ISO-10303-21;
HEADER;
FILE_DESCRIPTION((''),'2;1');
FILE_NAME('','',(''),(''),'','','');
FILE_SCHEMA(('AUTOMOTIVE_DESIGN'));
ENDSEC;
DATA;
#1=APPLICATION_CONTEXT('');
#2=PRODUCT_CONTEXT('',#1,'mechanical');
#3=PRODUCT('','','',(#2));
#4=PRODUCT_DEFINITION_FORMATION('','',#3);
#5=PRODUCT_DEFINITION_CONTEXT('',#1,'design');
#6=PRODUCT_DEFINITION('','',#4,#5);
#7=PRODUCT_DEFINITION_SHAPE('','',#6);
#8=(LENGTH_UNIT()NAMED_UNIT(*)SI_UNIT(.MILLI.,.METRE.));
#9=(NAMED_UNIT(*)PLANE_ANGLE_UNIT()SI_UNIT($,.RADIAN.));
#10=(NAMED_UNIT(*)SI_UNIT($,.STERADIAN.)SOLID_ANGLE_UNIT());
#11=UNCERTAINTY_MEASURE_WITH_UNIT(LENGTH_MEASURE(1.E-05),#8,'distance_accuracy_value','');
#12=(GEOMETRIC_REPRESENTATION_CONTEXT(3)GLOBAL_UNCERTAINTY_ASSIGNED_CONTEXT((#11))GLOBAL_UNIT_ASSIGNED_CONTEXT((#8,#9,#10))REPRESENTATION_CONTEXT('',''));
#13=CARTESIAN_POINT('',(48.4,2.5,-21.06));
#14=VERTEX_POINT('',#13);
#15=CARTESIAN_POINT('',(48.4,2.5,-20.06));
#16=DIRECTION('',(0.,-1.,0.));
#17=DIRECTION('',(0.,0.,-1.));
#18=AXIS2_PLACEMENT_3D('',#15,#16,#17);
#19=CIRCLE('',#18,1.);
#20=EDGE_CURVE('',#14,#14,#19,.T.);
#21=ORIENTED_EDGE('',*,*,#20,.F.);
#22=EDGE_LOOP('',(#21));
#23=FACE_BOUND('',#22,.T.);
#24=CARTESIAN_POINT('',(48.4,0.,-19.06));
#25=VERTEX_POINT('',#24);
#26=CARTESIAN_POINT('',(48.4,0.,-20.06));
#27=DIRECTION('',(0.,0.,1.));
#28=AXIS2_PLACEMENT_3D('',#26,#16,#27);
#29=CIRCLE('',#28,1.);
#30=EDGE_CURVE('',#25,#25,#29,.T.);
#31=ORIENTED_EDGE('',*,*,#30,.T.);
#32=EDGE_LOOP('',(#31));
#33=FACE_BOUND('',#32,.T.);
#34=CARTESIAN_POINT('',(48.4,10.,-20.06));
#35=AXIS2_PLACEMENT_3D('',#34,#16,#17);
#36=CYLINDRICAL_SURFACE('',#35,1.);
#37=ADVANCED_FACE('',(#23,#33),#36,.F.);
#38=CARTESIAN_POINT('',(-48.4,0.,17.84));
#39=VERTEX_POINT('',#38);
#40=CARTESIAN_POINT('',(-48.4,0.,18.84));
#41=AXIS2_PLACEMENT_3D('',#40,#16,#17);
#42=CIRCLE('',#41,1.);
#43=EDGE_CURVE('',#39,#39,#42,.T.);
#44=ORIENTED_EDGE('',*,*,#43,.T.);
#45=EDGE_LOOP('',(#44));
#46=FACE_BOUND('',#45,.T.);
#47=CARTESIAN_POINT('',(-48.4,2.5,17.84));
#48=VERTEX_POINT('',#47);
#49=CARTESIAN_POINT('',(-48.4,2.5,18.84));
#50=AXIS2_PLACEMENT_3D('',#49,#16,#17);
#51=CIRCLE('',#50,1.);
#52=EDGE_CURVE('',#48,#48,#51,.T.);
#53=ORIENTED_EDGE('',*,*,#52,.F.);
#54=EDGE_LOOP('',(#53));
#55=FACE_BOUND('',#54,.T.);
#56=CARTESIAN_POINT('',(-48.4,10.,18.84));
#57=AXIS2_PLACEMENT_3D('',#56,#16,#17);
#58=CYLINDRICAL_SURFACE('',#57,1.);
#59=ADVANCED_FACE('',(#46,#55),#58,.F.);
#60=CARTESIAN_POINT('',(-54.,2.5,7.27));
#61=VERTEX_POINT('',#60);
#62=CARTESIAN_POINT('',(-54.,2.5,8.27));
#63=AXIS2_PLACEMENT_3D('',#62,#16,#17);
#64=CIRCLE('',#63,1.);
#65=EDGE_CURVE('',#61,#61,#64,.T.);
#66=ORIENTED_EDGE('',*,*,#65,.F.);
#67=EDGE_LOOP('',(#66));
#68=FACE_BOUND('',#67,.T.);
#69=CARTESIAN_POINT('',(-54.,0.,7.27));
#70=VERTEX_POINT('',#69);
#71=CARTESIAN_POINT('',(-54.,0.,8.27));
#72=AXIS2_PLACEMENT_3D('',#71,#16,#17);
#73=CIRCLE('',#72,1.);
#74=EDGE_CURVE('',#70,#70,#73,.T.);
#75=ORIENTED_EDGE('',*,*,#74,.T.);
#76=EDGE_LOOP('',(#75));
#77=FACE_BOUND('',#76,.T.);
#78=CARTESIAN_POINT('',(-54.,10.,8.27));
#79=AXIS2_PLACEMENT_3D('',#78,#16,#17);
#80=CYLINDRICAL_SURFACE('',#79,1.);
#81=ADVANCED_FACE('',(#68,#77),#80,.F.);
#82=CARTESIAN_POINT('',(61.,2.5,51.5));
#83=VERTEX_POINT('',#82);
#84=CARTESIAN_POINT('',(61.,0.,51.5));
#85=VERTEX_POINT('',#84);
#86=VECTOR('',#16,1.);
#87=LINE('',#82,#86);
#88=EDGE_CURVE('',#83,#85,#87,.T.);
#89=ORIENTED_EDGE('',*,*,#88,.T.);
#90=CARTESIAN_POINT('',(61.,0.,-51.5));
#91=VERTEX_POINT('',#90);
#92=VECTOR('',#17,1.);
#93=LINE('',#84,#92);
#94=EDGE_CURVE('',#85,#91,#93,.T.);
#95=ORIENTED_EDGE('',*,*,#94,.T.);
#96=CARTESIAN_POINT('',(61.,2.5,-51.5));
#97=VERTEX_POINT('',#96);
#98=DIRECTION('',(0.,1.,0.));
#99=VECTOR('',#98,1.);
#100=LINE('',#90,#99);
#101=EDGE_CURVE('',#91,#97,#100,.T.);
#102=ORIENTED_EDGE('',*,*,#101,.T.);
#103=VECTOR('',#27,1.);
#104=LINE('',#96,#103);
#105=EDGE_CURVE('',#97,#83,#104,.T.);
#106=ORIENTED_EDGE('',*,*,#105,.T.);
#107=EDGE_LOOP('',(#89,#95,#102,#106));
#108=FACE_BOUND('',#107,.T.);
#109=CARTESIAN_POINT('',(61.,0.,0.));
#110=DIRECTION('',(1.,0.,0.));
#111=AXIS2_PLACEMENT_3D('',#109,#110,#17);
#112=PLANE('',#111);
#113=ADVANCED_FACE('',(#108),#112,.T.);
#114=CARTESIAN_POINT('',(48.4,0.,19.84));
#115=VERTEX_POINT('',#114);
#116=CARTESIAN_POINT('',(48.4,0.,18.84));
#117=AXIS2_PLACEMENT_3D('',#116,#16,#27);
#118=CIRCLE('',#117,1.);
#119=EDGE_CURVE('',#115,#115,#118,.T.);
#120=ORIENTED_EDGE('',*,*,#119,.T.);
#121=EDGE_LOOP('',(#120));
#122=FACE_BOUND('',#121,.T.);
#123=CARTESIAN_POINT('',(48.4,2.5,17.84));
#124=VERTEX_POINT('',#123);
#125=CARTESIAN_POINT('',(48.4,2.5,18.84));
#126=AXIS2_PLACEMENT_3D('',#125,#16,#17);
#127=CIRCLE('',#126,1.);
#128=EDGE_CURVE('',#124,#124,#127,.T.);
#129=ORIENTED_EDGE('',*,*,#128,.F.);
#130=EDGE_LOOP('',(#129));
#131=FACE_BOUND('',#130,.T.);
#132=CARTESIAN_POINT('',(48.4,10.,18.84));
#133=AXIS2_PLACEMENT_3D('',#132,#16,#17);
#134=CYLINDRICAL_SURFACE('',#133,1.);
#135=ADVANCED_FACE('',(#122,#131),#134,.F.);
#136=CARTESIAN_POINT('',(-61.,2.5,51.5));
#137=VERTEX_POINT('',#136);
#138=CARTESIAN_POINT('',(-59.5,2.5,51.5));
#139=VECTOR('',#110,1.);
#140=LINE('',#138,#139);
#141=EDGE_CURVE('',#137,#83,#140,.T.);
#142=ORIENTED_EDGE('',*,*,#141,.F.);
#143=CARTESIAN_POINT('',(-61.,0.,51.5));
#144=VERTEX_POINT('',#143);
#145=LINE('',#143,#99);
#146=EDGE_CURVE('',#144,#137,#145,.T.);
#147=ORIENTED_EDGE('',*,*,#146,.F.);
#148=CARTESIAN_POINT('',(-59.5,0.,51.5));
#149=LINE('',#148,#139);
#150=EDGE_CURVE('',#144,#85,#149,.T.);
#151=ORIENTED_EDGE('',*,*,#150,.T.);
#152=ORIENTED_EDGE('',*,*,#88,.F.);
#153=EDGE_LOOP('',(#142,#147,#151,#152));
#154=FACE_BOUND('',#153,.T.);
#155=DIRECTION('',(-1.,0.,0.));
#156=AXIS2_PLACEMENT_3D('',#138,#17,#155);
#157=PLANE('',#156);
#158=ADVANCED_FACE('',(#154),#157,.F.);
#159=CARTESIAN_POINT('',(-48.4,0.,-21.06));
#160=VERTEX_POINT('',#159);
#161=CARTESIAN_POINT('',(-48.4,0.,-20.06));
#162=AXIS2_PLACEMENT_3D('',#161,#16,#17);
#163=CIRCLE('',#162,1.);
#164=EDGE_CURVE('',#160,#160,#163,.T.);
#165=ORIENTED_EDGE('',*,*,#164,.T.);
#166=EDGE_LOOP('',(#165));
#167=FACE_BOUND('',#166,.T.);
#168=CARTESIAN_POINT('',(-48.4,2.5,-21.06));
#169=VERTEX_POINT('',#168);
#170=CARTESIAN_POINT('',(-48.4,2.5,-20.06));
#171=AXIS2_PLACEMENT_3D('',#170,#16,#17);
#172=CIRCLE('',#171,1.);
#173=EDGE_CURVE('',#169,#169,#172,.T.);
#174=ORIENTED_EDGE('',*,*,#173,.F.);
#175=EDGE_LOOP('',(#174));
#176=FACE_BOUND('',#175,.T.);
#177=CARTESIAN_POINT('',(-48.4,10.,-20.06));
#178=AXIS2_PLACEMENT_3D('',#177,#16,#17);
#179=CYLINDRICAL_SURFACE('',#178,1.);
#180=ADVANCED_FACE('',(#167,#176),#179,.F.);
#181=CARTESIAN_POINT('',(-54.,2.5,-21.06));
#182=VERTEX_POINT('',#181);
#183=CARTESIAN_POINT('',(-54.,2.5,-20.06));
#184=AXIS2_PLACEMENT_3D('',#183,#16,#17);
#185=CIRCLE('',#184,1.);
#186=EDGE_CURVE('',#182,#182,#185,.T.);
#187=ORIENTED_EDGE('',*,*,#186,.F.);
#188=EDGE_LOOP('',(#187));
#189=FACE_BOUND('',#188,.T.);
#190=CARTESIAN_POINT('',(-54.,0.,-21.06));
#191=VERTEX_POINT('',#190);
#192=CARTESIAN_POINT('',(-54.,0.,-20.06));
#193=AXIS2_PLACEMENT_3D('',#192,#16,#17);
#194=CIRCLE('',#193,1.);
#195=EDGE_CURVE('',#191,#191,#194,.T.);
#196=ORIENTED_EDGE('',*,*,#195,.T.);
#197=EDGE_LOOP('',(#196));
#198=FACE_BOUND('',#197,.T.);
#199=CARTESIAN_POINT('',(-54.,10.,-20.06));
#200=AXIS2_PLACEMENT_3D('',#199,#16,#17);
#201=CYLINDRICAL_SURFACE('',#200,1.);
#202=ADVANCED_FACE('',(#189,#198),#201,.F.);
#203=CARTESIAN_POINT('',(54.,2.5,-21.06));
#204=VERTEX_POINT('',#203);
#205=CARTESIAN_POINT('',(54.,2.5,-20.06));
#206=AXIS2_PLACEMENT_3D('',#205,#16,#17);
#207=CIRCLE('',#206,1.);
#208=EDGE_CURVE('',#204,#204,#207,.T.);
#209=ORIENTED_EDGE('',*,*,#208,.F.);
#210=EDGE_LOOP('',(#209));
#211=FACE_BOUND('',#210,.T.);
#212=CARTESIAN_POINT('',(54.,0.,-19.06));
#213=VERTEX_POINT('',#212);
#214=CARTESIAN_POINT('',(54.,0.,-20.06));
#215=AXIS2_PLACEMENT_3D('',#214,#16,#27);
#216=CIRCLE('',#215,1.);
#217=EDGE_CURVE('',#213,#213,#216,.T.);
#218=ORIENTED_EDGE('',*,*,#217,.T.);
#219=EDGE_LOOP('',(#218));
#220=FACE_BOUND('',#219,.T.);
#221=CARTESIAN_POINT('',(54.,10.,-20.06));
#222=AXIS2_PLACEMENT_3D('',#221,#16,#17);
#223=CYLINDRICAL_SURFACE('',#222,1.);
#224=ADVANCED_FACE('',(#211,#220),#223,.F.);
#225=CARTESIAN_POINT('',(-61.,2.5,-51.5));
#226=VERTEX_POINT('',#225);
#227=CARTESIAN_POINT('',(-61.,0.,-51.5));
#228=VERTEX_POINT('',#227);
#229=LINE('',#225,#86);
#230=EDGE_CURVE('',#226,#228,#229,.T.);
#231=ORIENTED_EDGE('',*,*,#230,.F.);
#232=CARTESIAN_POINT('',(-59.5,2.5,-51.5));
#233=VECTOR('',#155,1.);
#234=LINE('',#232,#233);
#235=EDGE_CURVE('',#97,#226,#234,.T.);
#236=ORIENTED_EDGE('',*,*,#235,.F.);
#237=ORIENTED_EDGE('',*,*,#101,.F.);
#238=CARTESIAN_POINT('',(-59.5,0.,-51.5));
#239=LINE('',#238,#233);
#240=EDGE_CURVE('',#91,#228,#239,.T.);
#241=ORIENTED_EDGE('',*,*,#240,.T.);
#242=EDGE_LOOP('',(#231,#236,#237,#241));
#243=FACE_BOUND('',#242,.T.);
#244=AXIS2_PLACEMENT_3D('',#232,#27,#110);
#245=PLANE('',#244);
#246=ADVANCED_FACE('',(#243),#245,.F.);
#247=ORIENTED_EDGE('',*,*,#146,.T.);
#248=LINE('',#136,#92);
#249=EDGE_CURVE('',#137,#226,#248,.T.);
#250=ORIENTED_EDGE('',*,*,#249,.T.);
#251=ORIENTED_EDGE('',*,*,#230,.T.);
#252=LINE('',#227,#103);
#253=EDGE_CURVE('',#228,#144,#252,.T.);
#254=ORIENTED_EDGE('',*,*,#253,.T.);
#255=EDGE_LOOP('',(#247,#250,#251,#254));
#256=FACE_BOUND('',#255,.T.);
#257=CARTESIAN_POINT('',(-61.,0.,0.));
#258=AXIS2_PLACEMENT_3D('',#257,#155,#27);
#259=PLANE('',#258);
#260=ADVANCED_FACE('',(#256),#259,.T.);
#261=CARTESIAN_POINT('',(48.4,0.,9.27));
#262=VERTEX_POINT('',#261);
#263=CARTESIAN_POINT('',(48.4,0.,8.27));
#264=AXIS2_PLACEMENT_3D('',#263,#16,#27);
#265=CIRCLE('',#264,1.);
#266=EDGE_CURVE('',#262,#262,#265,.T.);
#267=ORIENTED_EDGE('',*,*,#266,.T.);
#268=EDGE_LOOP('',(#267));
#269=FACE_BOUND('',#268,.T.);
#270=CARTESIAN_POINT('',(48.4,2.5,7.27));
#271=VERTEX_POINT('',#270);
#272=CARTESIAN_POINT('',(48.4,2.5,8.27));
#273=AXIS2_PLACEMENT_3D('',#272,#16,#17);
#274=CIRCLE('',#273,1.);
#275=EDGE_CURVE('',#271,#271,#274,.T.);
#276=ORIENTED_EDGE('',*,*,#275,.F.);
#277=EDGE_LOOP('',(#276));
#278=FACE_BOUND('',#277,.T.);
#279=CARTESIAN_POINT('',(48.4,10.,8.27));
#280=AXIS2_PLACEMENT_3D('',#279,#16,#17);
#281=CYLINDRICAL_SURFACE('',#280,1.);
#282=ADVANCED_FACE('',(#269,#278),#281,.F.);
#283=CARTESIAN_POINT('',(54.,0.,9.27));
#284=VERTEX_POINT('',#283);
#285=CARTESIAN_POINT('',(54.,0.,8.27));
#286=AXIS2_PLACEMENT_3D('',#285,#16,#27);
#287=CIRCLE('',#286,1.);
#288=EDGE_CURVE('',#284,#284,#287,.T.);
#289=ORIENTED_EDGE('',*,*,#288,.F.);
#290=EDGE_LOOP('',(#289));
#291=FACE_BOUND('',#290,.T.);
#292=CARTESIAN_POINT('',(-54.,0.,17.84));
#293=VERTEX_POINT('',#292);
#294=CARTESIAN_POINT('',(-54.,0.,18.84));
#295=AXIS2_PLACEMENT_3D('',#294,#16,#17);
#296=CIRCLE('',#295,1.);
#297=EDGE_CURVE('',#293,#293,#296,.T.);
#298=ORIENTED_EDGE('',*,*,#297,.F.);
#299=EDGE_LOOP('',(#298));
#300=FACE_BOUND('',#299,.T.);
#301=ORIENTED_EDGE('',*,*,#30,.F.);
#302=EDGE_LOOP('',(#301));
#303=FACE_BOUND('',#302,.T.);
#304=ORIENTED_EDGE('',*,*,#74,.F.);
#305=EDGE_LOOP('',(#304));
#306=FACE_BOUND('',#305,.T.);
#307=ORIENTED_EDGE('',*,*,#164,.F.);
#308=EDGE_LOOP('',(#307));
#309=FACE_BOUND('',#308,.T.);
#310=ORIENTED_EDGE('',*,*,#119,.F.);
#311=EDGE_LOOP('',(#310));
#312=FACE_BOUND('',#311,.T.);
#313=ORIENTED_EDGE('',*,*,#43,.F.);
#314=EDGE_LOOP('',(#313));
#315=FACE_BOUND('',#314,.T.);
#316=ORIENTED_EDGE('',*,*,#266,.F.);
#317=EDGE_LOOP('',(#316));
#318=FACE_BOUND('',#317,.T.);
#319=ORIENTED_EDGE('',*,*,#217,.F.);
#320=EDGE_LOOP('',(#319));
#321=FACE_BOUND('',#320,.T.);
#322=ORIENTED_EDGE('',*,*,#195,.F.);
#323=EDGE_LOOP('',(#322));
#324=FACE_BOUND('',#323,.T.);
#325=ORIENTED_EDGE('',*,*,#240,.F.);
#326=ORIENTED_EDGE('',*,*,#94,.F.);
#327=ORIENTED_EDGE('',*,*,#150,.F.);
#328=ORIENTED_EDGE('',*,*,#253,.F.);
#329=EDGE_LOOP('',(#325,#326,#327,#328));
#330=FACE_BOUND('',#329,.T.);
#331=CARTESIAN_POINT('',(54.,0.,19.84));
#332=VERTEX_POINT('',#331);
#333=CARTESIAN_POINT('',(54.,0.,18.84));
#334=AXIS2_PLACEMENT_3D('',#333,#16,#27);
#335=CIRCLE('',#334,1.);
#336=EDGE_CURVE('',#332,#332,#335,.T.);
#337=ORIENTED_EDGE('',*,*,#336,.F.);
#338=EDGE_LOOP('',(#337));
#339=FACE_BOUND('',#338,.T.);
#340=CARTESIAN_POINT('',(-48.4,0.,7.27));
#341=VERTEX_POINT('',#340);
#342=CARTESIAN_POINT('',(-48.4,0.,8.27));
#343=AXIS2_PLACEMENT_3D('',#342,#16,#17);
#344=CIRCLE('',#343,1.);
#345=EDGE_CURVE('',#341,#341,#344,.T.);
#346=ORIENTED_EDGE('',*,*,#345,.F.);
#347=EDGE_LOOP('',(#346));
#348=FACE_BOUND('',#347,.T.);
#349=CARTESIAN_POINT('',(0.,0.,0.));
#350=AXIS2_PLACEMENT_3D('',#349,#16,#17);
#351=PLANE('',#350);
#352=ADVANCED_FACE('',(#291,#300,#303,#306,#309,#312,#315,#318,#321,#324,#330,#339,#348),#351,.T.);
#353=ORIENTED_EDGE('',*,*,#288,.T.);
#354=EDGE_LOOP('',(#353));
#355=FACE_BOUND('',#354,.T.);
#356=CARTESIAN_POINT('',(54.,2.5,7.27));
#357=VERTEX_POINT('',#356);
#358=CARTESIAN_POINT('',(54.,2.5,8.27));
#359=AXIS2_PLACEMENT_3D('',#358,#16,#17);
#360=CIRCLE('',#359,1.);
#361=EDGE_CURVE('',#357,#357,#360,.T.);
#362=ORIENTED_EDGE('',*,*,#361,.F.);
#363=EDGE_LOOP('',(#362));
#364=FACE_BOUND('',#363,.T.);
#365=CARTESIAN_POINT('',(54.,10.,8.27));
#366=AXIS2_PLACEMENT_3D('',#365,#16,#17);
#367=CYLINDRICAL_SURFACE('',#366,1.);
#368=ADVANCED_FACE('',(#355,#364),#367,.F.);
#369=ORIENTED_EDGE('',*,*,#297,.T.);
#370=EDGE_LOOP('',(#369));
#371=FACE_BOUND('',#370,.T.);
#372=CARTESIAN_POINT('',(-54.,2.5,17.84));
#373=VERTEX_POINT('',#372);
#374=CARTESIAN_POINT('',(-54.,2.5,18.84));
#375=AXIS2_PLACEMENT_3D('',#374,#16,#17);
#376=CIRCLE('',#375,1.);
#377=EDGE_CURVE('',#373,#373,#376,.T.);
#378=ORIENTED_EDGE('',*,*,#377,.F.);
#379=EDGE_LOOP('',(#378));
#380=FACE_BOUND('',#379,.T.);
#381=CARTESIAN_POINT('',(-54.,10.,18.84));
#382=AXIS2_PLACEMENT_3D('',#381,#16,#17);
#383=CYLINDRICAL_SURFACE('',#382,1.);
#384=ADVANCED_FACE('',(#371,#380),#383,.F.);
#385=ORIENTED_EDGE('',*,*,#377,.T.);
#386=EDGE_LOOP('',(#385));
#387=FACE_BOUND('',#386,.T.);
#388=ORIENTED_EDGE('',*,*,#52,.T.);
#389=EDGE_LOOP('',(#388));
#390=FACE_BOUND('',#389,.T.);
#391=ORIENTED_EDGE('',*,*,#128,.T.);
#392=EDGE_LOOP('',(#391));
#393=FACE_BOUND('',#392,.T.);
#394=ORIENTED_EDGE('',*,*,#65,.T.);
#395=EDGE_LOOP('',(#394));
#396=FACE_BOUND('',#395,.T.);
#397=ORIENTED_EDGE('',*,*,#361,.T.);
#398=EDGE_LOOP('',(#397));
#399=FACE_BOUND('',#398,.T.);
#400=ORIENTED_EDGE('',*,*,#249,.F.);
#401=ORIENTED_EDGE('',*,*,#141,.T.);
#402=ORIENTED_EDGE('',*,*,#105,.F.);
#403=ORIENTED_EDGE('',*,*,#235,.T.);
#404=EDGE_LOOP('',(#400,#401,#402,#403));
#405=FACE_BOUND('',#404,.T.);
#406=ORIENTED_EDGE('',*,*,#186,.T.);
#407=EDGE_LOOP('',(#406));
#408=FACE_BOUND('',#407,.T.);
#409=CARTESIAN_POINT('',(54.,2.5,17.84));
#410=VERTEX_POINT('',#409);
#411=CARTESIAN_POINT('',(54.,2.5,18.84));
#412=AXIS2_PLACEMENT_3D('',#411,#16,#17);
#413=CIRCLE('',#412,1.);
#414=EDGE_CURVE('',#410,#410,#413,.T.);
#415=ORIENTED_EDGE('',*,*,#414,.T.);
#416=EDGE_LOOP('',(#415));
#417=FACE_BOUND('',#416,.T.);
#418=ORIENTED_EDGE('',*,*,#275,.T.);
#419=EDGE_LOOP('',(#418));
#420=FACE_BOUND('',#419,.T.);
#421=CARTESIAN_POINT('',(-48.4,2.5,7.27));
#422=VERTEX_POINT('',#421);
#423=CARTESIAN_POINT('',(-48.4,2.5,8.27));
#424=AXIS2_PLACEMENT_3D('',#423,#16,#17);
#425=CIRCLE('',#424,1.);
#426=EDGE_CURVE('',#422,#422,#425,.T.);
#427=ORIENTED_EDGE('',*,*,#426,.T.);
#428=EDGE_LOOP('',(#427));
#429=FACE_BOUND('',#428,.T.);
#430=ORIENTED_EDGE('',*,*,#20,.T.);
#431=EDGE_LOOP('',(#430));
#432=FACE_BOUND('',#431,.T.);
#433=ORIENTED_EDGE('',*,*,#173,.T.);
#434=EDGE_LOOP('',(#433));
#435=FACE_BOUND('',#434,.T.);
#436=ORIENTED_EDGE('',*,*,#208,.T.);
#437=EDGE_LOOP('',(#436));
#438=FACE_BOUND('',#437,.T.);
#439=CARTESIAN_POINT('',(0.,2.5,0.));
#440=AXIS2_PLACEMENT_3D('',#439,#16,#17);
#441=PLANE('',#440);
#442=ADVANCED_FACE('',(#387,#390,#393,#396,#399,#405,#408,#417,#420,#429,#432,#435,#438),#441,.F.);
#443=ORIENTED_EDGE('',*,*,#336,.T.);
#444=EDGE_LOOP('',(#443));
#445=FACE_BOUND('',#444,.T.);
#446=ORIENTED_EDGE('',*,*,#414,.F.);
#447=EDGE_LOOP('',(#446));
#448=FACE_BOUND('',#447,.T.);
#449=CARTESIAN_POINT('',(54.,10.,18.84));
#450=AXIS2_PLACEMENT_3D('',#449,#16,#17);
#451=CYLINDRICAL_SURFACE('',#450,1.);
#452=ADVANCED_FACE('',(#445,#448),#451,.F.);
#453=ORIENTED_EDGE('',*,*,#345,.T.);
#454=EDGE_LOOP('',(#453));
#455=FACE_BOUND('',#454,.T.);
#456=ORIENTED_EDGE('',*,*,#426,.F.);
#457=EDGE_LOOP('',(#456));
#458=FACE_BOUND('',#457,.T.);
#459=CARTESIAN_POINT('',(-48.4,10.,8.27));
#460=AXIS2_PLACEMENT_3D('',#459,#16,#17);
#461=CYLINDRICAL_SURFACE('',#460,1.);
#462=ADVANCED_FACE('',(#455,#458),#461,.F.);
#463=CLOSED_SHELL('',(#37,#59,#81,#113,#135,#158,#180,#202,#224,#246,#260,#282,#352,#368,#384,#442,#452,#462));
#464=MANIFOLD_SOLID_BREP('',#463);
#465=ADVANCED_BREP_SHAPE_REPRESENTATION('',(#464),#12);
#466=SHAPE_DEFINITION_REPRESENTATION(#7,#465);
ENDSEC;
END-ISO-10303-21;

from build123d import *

# Parameters (mm, degrees)
SKETCH1_W           = 119
SKETCH1_H           = 103
BOSS_EXTRUDE1_DEPTH = 2.5
SKETCH2_R           = 1
CUT_EXTRUDE1_DEPTH  = 10
SKETCH3_W           = 103
SKETCH3_H           = 2.5
BOSS_EXTRUDE2_DEPTH = 1.5
SKETCH4_W           = 103
SKETCH4_H           = 2.5
BOSS_EXTRUDE3_DEPTH = 1.5


with BuildPart() as part:
    # Sketch1 → Boss-Extrude1 (new body)
    with BuildSketch(Plane(origin=(0, 0, 0), x_dir=(1, 0, 0), z_dir=(0, 1, 0))):
        Rectangle(SKETCH1_W, SKETCH1_H)
    extrude(amount=BOSS_EXTRUDE1_DEPTH)

    # Sketch2 → Cut-Extrude1 (cut)
    with BuildSketch(Plane.XZ):
        with Locations((-54, -20.06)):
            Circle(SKETCH2_R)
        with Locations((-54, 8.27)):
            Circle(SKETCH2_R)
        with Locations((-54, 18.84)):
            Circle(SKETCH2_R)
        with Locations((54, -20.06)):
            Circle(SKETCH2_R)
        with Locations((54, 8.27)):
            Circle(SKETCH2_R)
        with Locations((54, 18.84)):
            Circle(SKETCH2_R)
        with Locations((-48.4, 18.84)):
            Circle(SKETCH2_R)
        with Locations((-48.4, -20.06)):
            Circle(SKETCH2_R)
        with Locations((-48.4, 8.27)):
            Circle(SKETCH2_R)
        with Locations((48.4, -20.06)):
            Circle(SKETCH2_R)
        with Locations((48.4, 8.27)):
            Circle(SKETCH2_R)
        with Locations((48.4, 18.84)):
            Circle(SKETCH2_R)
    extrude(amount=-CUT_EXTRUDE1_DEPTH, mode=Mode.SUBTRACT)

    # Sketch3 → Boss-Extrude2 (add)
    with BuildSketch(Plane.ZY.offset(59.5)):
        with Locations((0, 1.25)):
            Rectangle(SKETCH3_W, SKETCH3_H)
    extrude(amount=BOSS_EXTRUDE2_DEPTH)

    # Sketch4 → Boss-Extrude3 (add)
    with BuildSketch(Plane(origin=(59.5, 0, 0), x_dir=(0, 0, -1), z_dir=(1, 0, 0))):
        with Locations((0, 1.25)):
            Rectangle(SKETCH4_W, SKETCH4_H)
    extrude(amount=BOSS_EXTRUDE3_DEPTH)


solid = part.part
